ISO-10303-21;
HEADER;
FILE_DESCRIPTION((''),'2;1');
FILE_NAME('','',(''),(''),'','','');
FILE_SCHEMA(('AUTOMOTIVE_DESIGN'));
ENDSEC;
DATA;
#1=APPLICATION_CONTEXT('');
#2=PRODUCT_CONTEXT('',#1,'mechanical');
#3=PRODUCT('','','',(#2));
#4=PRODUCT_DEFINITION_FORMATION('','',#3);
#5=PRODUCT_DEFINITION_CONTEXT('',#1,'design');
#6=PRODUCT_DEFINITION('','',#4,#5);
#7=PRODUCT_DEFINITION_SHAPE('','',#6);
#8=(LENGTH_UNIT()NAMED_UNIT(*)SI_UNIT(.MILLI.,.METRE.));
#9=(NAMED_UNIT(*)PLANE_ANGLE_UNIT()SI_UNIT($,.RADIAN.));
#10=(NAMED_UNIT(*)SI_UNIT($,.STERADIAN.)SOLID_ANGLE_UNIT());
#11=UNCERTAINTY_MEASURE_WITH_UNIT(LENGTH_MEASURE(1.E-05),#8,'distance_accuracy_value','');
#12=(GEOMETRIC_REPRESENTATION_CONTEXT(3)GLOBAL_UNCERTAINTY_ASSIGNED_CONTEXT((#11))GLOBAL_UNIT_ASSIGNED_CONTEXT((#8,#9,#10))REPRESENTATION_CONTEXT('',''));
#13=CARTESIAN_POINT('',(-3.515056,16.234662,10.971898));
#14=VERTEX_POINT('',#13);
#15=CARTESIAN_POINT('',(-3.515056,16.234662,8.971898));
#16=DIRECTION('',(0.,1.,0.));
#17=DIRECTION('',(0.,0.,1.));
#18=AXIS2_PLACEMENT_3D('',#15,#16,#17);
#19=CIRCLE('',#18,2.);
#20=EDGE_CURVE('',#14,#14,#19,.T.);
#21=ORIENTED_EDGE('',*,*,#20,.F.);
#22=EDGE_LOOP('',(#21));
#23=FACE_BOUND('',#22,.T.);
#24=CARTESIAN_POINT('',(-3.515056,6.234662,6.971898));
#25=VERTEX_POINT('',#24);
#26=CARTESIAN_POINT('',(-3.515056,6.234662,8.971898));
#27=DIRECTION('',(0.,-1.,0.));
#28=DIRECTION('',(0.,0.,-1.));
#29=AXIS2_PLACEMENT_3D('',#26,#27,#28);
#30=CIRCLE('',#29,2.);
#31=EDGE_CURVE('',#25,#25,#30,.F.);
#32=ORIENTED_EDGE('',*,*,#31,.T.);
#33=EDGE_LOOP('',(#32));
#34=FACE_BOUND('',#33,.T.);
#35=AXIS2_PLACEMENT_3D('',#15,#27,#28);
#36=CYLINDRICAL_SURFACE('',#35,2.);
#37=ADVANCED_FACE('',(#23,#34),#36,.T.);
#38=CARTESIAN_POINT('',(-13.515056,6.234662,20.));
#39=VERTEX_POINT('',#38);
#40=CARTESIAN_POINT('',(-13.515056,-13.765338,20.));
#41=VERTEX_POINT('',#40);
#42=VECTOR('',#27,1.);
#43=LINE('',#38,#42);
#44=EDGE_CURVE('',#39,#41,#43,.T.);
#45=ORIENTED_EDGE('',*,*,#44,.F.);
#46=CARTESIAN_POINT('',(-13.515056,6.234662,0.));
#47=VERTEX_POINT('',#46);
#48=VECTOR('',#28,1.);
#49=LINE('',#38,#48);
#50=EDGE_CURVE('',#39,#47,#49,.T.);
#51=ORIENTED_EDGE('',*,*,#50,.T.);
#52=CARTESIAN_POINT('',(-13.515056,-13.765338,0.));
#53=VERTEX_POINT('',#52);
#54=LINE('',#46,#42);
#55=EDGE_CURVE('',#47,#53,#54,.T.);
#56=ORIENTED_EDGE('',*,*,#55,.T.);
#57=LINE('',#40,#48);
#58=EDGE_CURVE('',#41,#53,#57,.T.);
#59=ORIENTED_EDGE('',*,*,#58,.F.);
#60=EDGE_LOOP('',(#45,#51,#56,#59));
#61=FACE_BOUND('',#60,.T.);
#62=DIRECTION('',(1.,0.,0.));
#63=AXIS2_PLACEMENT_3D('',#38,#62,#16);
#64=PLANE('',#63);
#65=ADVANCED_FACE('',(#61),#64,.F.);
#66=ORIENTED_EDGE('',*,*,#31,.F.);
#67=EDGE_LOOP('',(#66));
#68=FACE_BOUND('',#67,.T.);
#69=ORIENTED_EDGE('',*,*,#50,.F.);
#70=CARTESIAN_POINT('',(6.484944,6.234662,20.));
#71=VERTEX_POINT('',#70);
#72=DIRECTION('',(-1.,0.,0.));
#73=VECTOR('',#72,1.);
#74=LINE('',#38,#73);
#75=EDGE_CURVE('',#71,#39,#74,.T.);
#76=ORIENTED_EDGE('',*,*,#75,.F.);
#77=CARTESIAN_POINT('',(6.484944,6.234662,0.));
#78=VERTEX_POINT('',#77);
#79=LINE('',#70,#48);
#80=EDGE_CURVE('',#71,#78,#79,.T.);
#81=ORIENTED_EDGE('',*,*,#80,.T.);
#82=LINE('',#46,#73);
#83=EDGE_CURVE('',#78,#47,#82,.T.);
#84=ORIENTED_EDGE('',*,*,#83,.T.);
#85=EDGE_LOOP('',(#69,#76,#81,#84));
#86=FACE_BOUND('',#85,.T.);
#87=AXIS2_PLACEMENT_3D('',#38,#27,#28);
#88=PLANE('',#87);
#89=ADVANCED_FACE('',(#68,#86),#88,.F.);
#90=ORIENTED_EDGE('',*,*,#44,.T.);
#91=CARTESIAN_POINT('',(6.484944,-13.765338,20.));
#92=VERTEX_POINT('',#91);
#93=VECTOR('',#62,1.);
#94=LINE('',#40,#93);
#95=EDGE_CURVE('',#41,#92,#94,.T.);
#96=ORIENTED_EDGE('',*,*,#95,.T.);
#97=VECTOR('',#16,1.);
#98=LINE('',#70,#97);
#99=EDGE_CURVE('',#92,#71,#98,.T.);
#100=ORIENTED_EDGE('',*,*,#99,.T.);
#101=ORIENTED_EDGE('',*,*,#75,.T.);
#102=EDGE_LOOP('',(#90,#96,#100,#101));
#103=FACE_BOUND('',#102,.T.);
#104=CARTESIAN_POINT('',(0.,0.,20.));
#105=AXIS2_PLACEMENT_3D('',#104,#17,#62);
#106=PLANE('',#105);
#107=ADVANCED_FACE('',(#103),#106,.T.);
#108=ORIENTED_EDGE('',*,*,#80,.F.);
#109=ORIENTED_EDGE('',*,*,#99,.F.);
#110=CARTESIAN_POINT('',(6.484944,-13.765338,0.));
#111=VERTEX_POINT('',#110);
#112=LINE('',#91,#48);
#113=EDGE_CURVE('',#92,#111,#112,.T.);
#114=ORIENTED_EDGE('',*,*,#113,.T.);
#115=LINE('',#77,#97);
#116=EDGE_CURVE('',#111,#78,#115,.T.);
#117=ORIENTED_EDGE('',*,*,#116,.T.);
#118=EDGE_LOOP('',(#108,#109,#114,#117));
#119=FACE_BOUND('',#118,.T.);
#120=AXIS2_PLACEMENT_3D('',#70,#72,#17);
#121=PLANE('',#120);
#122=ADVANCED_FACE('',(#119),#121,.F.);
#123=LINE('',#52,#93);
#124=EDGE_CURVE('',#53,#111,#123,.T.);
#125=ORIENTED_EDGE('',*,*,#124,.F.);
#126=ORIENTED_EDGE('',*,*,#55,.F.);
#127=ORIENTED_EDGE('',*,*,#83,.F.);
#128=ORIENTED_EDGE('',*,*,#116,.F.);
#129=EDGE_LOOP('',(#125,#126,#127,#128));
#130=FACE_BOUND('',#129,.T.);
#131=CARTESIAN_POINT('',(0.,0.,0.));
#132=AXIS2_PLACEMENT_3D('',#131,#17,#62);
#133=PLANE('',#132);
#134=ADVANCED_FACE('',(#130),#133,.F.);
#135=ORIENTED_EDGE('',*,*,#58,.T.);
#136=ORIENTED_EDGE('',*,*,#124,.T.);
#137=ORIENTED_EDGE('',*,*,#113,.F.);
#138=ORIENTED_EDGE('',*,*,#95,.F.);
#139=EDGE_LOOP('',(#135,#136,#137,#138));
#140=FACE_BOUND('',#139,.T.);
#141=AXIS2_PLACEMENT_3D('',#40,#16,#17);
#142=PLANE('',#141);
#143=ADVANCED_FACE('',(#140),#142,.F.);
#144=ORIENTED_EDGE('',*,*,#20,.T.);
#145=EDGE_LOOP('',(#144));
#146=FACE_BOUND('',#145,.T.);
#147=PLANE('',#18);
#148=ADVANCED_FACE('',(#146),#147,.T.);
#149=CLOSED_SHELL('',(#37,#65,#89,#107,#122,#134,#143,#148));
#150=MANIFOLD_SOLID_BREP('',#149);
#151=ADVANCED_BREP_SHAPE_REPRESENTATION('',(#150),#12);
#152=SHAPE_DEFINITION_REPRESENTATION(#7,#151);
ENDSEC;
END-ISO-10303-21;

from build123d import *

# Parameters (mm, degrees)
SKETCH1_W           = 20
SKETCH1_H           = 20
BOSS_EXTRUDE1_DEPTH = 20
SKETCH2_R           = 2
BOSS_EXTRUDE2_DEPTH = 10


with BuildPart() as part:
    # Sketch1 → Boss-Extrude1 (new body)
    with BuildSketch(Plane.XY):
        with Locations((-3.515056128, -3.765337521)):
            Rectangle(SKETCH1_W, SKETCH1_H)
    extrude(amount=BOSS_EXTRUDE1_DEPTH)

    # Sketch2 → Boss-Extrude2 (add)
    with BuildSketch(Plane(origin=(0, 6.234662479, 0), x_dir=(1, 0, 0), z_dir=(0, 1, 0))):
        with Locations(Location((-3.515056128, -8.971897528, 0), (0, 0, 90))):
            Circle(SKETCH2_R)
    extrude(amount=BOSS_EXTRUDE2_DEPTH)


solid = part.part
